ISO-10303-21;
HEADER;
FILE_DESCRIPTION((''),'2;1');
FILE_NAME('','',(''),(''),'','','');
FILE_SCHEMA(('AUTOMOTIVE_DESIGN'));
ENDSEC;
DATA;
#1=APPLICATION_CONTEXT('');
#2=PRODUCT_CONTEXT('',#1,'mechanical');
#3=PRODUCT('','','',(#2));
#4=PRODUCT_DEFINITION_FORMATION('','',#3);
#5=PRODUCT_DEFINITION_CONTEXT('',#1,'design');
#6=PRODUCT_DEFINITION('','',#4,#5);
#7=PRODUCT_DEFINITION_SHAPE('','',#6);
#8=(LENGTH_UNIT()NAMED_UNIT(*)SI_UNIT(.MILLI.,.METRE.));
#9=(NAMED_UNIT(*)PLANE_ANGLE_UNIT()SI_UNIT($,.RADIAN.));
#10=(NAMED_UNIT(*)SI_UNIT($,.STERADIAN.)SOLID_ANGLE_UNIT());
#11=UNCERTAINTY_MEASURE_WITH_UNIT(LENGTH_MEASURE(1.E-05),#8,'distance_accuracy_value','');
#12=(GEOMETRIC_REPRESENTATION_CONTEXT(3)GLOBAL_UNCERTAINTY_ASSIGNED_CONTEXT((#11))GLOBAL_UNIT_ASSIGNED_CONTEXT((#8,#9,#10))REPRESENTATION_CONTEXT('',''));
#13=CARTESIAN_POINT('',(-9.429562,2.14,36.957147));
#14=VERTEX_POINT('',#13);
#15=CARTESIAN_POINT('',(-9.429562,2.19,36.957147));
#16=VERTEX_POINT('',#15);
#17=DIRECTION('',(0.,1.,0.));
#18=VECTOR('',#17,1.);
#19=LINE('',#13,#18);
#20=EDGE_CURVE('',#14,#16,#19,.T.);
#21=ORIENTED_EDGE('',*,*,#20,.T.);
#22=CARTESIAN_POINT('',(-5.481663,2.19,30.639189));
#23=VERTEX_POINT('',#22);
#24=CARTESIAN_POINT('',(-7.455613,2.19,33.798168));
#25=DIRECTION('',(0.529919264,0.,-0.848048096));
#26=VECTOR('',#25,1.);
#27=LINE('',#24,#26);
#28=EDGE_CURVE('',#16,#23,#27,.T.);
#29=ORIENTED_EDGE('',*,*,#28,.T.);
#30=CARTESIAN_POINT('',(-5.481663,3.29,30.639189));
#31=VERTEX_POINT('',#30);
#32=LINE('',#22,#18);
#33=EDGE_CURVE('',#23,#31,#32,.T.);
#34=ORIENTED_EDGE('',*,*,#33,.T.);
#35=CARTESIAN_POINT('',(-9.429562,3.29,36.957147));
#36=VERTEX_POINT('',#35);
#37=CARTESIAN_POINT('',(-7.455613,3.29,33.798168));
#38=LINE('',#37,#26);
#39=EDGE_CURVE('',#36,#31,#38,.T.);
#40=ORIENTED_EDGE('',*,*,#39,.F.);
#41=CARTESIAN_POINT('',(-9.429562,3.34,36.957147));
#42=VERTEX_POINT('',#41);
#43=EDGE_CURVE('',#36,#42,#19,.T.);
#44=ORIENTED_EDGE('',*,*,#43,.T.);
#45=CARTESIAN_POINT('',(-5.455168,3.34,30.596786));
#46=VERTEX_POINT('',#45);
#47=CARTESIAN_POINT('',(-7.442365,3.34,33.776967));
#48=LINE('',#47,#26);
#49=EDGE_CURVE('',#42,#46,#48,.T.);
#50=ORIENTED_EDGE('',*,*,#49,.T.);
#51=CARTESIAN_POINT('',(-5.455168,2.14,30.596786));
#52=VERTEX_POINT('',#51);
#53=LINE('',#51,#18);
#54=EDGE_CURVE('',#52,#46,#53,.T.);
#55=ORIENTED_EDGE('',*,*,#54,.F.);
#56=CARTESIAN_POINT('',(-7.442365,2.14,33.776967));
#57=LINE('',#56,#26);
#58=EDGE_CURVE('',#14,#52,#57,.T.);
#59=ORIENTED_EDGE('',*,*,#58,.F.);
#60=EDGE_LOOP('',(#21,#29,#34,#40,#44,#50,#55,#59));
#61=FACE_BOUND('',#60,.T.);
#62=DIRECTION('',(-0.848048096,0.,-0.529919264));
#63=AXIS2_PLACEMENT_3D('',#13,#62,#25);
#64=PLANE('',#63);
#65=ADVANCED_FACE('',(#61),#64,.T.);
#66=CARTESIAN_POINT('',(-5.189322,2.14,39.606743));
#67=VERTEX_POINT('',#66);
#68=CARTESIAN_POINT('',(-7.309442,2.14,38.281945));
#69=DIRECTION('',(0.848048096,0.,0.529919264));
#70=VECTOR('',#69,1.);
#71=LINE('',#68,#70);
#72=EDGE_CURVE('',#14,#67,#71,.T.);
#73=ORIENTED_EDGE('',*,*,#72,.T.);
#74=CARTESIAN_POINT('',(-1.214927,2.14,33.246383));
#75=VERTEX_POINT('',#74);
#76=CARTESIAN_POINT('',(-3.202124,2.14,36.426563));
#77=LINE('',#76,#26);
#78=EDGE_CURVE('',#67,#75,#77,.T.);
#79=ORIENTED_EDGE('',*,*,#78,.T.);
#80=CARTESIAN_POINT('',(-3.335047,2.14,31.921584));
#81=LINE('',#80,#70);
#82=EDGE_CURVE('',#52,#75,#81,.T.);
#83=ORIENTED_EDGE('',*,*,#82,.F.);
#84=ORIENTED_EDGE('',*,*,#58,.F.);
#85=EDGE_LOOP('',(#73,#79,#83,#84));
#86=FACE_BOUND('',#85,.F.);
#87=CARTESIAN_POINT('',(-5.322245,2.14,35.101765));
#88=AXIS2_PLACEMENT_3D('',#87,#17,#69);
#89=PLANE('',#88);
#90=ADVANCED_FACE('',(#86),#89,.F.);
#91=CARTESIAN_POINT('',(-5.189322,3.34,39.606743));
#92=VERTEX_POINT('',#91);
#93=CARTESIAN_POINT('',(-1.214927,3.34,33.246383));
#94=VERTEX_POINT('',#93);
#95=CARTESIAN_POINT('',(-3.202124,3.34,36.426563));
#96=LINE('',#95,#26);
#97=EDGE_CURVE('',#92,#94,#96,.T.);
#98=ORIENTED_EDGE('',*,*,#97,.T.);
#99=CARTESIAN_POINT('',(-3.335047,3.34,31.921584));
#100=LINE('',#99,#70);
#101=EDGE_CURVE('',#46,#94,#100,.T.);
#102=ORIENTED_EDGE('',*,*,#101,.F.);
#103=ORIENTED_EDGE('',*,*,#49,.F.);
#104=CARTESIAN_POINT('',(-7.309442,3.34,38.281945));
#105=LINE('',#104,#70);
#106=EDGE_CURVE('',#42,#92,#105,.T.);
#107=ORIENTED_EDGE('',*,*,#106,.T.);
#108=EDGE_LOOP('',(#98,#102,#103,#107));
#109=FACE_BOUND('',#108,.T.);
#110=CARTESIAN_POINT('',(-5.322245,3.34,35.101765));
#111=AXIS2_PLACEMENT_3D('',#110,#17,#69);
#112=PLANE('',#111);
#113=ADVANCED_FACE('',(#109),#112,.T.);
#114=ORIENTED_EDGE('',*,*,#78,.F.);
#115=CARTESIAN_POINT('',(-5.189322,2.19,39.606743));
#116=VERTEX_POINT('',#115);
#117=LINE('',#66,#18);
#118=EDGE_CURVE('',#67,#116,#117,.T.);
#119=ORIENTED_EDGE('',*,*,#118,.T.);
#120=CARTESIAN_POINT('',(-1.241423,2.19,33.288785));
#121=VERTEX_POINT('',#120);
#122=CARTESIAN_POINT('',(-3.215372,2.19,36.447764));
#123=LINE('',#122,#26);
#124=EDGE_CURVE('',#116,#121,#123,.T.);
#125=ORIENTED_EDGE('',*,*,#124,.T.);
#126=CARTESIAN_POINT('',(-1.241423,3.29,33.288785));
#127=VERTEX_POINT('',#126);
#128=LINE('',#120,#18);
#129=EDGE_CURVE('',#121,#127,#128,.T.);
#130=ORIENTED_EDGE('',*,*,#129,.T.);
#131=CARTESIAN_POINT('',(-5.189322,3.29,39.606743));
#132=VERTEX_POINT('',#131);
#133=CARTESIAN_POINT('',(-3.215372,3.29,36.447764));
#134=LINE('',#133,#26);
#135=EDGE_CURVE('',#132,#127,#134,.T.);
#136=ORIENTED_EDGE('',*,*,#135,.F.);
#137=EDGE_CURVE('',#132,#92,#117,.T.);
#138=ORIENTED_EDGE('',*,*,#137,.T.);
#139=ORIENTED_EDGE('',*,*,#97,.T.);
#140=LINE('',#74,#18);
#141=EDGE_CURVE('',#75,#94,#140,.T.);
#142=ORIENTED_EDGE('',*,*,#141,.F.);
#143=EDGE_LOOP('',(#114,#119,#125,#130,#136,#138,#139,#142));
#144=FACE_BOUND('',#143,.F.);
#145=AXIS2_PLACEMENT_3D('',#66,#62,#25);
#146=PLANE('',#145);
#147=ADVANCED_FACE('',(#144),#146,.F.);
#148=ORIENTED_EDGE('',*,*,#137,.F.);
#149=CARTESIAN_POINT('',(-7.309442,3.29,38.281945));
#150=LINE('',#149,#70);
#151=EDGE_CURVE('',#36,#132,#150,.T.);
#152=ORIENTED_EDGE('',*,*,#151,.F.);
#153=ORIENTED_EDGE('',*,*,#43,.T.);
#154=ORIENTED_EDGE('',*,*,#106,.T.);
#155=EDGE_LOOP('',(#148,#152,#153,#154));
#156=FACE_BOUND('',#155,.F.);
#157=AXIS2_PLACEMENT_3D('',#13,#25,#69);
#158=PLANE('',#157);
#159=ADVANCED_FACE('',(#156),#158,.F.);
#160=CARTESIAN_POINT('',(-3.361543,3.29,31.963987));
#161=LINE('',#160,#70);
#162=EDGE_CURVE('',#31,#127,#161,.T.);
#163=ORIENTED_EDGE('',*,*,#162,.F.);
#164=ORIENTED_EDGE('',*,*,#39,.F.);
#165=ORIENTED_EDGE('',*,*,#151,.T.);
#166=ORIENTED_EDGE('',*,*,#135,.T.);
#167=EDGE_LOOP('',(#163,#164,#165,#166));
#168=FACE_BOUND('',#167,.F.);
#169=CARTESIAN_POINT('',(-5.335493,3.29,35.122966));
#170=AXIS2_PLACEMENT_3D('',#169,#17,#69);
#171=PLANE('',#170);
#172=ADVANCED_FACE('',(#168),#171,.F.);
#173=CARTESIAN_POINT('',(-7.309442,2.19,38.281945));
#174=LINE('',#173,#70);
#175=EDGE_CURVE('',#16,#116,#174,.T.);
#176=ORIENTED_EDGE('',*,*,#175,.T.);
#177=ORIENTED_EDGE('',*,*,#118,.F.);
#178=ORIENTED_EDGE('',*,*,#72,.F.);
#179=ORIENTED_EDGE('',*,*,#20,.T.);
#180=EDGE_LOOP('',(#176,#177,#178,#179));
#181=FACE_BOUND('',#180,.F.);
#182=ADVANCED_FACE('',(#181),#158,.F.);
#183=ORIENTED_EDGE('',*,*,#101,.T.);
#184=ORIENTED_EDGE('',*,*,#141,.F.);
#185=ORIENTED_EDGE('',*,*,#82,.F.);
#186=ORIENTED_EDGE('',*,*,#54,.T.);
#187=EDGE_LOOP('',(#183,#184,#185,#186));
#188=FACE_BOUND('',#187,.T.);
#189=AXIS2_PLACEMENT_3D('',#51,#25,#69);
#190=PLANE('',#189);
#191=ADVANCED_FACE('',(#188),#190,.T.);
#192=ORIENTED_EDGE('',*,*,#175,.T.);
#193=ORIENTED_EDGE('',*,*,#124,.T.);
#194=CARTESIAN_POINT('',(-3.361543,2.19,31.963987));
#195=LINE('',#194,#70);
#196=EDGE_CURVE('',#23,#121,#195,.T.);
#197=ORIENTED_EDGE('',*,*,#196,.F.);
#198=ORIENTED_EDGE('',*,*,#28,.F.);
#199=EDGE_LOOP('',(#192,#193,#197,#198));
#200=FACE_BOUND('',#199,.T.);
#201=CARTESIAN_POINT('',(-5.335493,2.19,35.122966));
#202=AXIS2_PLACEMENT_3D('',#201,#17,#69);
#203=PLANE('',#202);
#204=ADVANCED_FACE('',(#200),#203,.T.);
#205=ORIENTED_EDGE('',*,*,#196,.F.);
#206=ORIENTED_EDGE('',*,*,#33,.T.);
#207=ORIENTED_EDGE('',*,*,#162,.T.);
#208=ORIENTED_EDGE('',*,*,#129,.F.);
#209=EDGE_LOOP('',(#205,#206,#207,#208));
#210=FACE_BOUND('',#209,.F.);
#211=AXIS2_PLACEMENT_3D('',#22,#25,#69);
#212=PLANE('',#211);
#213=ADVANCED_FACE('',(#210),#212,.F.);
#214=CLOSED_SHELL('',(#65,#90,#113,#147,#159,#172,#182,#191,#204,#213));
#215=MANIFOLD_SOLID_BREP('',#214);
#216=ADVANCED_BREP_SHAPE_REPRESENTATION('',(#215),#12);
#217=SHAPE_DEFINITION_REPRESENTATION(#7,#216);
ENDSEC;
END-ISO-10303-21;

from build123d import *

# Parameters (mm, degrees)
BOX150_W           = 5
BOX150_H           = 7.45
BOX150_DEPTH       = 1.1
BOX149_W           = 5
BOX149_H           = 7.5
BOX149_DEPTH       = 1.2
CUT070_ROLL_ANGLE  = -90
CUT070_PITCH_ANGLE = -32


with BuildPart() as small_cu_gnd_electrode060:
    # Box150 → Box150 (new body)
    with BuildSketch(Plane.XY.offset(0.05)):
        with Locations((2.5, 3.725)):
            Rectangle(BOX150_W, BOX150_H)
    extrude(amount=BOX150_DEPTH)


with BuildPart() as small_cu_electrode001_long_axis_v006:
    # Box149 → Box149 (new body)
    with BuildSketch(Plane.XY):
        with Locations((2.5, 3.75)):
            Rectangle(BOX149_W, BOX149_H)
    extrude(amount=BOX149_DEPTH)

    # Cut070: cut Small Cu GND Electrode060
    add(small_cu_gnd_electrode060.part, mode=Mode.SUBTRACT)


with BuildPart() as small_cu_electrode001_long_axis_v006_1:
    # Cut070 roll: moved
    add(small_cu_electrode001_long_axis_v006.part.rotate(Axis((0, 0, 0), (1, 0, 0)), CUT070_ROLL_ANGLE))


with BuildPart() as small_cu_electrode001_long_axis_v006_2:
    # Cut070 pitch: moved
    add(small_cu_electrode001_long_axis_v006_1.part.rotate(Axis((0, 0, 0), (0, 1, 0)), CUT070_PITCH_ANGLE))


with BuildPart() as small_cu_electrode001_long_axis_v006_3:
    # Cut070 placement: moved
    add(small_cu_electrode001_long_axis_v006_2.part.moved(Location((-9.429562, 2.14, 36.957147))))


solid = small_cu_electrode001_long_axis_v006_3.part
